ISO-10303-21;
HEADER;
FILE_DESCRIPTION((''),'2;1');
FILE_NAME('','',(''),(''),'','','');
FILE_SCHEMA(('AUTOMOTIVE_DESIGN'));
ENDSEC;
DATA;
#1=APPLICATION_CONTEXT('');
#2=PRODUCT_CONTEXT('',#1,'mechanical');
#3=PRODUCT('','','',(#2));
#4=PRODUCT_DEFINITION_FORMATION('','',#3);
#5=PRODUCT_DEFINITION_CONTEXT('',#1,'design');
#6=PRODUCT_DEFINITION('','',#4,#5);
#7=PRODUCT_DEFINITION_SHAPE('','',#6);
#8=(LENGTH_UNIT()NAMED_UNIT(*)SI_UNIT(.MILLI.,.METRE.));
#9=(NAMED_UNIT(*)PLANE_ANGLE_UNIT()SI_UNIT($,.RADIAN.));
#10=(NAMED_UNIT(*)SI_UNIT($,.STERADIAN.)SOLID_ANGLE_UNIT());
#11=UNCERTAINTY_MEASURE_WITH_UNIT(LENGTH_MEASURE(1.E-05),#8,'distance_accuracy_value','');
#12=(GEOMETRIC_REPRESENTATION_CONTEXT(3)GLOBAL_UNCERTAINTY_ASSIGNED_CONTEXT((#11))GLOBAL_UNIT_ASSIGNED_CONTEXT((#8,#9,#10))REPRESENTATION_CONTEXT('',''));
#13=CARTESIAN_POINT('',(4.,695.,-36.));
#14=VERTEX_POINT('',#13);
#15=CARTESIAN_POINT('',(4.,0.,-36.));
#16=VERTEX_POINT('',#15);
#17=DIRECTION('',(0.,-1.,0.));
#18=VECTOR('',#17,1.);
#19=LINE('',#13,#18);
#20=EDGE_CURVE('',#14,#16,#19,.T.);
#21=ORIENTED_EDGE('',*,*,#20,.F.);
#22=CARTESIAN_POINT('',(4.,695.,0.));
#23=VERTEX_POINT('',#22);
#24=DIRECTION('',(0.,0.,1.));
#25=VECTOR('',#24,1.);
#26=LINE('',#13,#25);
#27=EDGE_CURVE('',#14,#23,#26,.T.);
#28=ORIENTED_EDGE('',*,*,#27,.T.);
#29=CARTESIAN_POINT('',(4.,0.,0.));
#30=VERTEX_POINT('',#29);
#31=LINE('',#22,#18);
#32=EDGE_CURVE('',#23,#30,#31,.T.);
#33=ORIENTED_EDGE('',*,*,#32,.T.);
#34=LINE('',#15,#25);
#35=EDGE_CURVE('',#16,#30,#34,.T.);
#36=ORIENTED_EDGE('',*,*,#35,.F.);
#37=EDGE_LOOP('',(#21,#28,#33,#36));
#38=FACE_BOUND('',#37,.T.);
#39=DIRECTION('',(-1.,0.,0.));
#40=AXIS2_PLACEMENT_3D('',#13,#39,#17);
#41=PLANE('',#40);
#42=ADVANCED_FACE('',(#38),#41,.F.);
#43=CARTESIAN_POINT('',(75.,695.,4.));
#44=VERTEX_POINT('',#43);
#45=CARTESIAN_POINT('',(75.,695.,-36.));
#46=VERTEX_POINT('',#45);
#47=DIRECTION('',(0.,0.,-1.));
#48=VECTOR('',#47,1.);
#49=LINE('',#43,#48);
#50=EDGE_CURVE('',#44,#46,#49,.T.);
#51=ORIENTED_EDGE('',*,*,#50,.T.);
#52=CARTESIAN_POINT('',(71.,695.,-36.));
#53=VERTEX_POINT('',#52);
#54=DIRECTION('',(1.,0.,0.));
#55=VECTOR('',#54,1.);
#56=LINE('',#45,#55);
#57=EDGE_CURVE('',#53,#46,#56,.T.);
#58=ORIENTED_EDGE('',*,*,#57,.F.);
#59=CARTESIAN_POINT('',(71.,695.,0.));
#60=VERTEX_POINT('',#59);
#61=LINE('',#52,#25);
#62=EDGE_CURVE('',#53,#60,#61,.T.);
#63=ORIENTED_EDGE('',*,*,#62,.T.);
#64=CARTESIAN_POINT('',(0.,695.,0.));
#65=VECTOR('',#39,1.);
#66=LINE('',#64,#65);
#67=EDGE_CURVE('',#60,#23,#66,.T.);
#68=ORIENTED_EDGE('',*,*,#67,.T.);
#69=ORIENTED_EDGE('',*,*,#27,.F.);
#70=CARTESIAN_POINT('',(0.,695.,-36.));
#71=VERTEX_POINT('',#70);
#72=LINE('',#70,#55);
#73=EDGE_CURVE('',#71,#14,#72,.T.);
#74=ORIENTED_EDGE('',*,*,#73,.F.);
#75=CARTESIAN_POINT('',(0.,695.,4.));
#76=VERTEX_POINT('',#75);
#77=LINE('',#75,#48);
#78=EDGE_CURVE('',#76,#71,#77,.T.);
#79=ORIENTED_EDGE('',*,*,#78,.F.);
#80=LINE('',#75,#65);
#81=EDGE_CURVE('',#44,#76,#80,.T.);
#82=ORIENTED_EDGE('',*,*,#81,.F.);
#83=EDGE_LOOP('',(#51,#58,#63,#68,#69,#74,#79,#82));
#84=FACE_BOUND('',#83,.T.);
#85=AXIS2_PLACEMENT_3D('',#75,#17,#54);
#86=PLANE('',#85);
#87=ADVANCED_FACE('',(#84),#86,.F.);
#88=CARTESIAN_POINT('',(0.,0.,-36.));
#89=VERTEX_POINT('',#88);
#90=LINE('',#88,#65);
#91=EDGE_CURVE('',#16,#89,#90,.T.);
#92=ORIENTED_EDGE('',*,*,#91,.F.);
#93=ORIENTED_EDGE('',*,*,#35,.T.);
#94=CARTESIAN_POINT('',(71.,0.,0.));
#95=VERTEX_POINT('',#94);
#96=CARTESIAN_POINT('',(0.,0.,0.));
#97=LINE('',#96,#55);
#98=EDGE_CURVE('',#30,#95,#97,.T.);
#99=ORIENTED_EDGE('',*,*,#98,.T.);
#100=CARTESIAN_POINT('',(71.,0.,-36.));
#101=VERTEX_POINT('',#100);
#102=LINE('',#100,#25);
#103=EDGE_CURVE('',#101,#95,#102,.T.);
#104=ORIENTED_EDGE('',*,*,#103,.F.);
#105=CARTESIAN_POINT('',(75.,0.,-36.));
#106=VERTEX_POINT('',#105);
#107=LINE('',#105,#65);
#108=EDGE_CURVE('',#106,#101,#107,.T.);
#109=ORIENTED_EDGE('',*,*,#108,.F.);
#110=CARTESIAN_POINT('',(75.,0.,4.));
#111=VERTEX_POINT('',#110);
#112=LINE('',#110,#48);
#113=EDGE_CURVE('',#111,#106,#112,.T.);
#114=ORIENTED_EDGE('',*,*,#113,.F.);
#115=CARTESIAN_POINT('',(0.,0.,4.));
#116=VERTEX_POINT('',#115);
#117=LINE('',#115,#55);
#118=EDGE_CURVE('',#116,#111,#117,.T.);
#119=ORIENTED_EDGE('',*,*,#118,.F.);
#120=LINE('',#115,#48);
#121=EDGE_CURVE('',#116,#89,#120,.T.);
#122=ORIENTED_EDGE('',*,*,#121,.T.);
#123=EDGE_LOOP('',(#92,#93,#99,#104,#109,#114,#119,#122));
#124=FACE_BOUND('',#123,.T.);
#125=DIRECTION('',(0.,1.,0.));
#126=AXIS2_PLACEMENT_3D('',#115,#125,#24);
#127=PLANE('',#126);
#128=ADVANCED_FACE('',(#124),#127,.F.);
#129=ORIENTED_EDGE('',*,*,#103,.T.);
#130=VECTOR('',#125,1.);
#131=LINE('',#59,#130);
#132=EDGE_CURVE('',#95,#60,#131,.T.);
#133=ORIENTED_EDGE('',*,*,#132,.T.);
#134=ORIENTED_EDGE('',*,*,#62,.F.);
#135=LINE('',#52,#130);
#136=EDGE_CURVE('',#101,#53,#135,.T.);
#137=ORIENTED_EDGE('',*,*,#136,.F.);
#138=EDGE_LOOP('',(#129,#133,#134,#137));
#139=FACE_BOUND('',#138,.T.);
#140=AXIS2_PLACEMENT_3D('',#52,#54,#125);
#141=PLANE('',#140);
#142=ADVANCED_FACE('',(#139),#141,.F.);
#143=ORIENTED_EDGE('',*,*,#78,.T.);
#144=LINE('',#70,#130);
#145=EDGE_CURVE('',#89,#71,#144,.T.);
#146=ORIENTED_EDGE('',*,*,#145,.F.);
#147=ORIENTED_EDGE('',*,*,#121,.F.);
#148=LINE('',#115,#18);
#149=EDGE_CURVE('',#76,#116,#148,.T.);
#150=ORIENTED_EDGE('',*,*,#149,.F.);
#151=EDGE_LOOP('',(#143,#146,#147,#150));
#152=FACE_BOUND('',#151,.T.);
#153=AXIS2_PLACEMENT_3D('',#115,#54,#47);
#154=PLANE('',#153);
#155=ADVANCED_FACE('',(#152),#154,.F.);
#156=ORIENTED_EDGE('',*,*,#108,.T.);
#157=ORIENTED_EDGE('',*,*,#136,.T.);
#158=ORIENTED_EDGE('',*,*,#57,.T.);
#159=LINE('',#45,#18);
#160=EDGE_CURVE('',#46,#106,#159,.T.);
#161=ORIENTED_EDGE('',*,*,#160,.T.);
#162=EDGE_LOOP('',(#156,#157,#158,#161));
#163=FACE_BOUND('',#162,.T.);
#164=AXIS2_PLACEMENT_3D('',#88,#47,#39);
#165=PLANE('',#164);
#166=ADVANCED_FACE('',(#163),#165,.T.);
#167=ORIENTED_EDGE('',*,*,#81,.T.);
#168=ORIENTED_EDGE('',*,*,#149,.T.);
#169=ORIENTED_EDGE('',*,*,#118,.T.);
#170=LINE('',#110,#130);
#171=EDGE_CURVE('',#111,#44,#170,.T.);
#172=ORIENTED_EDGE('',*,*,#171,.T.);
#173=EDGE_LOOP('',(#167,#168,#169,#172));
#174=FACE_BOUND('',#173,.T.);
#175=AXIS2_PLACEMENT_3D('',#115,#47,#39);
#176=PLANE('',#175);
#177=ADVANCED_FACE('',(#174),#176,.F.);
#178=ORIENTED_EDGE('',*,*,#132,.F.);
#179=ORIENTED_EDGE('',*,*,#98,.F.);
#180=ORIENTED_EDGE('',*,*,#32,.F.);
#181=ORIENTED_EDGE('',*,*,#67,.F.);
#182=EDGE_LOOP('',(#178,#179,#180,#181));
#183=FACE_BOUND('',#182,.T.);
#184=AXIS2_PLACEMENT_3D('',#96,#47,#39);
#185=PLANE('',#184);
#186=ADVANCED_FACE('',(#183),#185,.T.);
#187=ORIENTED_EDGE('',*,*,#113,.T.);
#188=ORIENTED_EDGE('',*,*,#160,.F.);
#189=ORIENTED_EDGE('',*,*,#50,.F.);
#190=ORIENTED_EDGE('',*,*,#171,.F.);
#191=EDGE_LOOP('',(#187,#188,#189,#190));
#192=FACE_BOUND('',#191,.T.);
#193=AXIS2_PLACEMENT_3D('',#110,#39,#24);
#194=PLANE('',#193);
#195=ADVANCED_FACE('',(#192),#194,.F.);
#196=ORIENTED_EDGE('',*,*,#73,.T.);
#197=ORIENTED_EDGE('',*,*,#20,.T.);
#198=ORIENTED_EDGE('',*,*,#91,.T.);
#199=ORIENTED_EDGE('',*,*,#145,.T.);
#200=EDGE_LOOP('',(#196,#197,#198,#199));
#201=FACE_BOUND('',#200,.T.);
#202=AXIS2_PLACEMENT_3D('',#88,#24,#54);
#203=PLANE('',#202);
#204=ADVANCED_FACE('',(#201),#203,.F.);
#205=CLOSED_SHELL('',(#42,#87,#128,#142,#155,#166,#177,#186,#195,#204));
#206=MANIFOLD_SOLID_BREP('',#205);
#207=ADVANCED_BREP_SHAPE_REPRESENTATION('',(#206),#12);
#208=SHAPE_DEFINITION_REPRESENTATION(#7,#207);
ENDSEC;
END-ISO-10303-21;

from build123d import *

# Parameters (mm, degrees)
SKETCH_1_W      = 75
SKETCH_1_H      = 695
EXTRUDE_1_DEPTH = 4
SKETCH_2_W      = 4
SKETCH_2_H      = 695
EXTRUDE_2_DEPTH = 36


with BuildPart() as part:
    # 스케치1 → 보스-돌출1 (new body)
    with BuildSketch(Plane.XY):
        with Locations((37.5, 347.5)):
            Rectangle(SKETCH_1_W, SKETCH_1_H)
    extrude(amount=EXTRUDE_1_DEPTH)

    # 스케치2 → 보스-돌출2 (add)
    with BuildSketch(Plane(origin=(0, 0, 0), x_dir=(-1, 0, 0), z_dir=(0, 0, -1))):
        with Locations((-73, 347.5)):
            Rectangle(SKETCH_2_W, SKETCH_2_H)
        with Locations((-2, 347.5)):
            Rectangle(SKETCH_2_W, SKETCH_2_H)
    extrude(amount=EXTRUDE_2_DEPTH)


solid = part.part
